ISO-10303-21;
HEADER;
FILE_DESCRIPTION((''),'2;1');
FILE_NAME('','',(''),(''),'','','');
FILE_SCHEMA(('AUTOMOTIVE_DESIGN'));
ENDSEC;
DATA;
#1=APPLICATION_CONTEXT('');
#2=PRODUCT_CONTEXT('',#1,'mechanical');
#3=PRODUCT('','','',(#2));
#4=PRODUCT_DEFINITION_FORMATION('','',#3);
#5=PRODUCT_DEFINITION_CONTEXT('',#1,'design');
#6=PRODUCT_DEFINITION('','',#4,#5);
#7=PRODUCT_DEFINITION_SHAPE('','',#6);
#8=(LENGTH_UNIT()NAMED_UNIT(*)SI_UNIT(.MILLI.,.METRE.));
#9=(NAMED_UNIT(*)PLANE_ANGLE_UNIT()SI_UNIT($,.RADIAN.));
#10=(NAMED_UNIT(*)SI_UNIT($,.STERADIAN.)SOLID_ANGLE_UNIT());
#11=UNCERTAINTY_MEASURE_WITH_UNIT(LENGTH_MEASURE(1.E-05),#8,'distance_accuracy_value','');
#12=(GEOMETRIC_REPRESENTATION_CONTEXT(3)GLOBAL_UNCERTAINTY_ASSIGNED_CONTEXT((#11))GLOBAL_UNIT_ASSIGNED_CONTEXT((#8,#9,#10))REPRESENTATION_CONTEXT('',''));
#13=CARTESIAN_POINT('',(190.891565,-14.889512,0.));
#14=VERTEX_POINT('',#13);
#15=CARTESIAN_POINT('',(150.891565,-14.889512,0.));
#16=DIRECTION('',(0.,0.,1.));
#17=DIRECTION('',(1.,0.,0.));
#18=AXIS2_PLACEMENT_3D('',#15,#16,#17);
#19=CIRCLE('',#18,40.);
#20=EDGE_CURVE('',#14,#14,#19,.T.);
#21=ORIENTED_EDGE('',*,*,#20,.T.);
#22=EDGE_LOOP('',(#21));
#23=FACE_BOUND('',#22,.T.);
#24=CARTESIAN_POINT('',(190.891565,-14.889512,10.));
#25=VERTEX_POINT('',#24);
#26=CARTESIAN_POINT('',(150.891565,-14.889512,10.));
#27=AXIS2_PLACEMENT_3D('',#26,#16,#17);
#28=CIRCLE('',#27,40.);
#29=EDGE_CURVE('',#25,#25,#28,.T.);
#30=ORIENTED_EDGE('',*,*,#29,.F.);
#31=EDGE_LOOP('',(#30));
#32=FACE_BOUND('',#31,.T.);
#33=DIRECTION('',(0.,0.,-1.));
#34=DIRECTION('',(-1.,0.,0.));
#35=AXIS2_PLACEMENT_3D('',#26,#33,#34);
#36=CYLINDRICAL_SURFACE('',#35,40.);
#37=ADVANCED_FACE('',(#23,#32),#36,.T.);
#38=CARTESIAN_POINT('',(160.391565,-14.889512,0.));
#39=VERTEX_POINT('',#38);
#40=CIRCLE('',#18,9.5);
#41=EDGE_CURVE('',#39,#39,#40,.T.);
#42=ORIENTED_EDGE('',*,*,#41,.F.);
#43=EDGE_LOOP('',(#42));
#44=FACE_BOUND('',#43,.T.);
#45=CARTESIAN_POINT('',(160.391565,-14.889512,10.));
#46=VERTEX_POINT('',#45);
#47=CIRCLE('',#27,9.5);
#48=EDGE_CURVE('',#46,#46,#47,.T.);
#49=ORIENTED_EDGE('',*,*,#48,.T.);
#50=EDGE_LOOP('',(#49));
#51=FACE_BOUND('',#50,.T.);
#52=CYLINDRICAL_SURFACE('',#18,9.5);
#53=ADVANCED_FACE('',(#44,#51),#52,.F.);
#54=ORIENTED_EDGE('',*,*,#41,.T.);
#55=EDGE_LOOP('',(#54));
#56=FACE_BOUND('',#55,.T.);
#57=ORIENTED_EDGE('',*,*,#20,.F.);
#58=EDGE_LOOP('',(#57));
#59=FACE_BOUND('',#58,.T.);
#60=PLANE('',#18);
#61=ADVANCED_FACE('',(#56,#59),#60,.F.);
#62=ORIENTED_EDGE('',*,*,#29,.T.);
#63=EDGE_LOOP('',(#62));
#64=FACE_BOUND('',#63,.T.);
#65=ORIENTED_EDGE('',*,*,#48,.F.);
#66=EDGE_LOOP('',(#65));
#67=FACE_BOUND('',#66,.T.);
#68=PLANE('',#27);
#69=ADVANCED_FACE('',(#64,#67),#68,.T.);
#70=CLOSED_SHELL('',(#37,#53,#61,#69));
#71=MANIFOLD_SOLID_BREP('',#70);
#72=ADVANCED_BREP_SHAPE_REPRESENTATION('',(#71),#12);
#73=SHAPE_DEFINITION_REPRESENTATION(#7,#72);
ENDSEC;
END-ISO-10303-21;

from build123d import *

# Parameters (mm, degrees)
SKETCH_1_R          = 40
EXTRUDE_4_DEPTH     = 10
SKETCH_2_R          = 9.5
CUT_EXTRUDE_1_DEPTH = 10


with BuildPart() as part:
    # 草图1 → 凸台-拉伸4 (new body)
    with BuildSketch(Plane.XY):
        with Locations((150.891565487, -14.889512115)):
            Circle(SKETCH_1_R)
    extrude(amount=EXTRUDE_4_DEPTH)

    # 草图2 → 切除-拉伸1 (cut)
    with BuildSketch(Plane.XY.offset(10)):
        with Locations((150.891565487, -14.889512115)):
            Circle(SKETCH_2_R)
    extrude(amount=-CUT_EXTRUDE_1_DEPTH, mode=Mode.SUBTRACT)


solid = part.part
